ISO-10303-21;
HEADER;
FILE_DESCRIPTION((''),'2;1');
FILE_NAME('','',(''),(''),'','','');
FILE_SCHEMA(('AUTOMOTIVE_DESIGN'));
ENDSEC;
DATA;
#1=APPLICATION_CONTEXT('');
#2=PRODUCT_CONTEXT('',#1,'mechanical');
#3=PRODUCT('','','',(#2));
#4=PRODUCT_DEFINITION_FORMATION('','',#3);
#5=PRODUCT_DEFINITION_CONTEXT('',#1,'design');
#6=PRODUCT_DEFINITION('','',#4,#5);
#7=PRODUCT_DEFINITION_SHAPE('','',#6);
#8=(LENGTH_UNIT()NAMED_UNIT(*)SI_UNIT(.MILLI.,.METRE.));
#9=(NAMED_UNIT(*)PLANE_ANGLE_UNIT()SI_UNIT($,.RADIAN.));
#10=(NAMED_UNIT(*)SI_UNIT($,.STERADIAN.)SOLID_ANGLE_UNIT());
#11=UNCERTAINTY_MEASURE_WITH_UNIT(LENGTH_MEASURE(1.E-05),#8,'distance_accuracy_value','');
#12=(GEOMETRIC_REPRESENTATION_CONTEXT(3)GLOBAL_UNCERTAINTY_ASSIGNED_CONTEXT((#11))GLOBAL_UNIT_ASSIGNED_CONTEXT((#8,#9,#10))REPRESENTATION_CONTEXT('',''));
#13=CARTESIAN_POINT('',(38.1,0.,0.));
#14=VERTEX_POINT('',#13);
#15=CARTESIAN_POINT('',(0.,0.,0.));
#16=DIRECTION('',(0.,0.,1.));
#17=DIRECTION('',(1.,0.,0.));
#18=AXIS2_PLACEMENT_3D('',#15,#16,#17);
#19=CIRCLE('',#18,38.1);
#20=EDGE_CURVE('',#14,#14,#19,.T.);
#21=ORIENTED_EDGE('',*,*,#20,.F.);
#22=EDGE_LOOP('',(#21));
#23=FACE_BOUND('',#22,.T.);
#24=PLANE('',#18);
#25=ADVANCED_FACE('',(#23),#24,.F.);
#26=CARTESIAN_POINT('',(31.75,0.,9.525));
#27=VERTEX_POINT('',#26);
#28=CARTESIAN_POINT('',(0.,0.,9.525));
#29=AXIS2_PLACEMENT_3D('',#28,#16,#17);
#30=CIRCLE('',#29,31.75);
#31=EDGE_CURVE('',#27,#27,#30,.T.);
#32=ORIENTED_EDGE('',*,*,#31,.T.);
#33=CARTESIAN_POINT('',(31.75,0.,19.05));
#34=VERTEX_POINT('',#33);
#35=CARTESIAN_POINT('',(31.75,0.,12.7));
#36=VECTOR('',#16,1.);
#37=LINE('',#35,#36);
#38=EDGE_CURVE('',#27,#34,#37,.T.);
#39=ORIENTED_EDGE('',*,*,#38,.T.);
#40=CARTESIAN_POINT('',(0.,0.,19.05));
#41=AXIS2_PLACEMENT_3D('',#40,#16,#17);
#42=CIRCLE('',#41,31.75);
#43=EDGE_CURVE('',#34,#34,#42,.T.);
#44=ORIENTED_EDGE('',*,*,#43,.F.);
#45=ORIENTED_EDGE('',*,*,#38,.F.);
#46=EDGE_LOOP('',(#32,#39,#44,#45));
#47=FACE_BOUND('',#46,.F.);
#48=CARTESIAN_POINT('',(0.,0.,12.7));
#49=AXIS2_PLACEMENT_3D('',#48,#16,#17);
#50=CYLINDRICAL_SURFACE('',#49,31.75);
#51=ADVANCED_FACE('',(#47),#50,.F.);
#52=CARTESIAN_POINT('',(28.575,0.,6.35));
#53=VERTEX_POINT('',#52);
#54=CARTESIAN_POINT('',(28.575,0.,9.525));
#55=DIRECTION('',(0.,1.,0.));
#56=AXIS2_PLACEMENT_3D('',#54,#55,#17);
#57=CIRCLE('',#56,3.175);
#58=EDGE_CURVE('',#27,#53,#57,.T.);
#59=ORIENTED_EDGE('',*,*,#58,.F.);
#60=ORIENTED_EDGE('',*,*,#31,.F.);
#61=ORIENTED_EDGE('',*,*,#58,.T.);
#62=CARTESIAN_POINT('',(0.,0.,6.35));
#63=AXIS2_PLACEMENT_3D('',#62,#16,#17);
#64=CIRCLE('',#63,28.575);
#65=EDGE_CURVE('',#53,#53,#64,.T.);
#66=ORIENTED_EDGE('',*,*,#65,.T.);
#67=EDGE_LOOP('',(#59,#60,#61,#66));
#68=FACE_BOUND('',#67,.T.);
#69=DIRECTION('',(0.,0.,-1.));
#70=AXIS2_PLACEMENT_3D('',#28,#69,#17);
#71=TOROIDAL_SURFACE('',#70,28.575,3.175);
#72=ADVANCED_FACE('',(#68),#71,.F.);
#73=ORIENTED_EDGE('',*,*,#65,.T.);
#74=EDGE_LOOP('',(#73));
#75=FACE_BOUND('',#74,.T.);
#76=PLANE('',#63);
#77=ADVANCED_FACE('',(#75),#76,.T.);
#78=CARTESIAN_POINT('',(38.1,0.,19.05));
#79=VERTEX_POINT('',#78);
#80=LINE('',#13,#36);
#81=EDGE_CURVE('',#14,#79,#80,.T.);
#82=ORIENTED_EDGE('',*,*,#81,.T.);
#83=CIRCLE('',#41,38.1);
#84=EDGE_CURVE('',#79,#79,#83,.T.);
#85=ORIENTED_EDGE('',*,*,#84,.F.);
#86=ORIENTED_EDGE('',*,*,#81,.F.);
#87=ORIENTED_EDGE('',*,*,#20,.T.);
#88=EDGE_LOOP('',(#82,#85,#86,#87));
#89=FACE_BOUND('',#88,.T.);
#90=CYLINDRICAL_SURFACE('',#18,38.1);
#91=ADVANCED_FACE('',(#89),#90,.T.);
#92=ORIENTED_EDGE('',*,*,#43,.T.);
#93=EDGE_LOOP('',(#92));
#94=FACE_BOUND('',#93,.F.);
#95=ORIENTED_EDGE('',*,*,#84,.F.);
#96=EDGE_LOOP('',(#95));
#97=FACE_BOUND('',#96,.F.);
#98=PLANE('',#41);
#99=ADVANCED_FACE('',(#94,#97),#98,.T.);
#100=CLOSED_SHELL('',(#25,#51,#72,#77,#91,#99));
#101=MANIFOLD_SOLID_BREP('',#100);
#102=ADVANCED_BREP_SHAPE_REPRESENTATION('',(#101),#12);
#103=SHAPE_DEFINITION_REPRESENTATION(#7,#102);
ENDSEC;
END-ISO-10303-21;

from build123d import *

# Parameters (mm, degrees)
F0_W = 6.35
F0_H = 12.7
F2_R = 3.175


with BuildPart() as f1:
    # F0 (on Front) → F1 (revolve)
    with BuildSketch(Plane.XZ):
        Polygon((31.75, 6.35), (0, 6.35), (0, 0), (38.1, 0), (38.1, 6.35), align=None)
        with Locations((34.925, 12.7)):
            Rectangle(F0_W, F0_H)
    revolve(axis=Axis((0, 0, 3.175), (0, 0, 1)))

    # F2
    f2_edges = [f1.edges().sort_by_distance(p)[0] for p in [
        (-31.75, 0, 6.35),
    ]]
    fillet(f2_edges, radius=F2_R)


solid = f1.part
